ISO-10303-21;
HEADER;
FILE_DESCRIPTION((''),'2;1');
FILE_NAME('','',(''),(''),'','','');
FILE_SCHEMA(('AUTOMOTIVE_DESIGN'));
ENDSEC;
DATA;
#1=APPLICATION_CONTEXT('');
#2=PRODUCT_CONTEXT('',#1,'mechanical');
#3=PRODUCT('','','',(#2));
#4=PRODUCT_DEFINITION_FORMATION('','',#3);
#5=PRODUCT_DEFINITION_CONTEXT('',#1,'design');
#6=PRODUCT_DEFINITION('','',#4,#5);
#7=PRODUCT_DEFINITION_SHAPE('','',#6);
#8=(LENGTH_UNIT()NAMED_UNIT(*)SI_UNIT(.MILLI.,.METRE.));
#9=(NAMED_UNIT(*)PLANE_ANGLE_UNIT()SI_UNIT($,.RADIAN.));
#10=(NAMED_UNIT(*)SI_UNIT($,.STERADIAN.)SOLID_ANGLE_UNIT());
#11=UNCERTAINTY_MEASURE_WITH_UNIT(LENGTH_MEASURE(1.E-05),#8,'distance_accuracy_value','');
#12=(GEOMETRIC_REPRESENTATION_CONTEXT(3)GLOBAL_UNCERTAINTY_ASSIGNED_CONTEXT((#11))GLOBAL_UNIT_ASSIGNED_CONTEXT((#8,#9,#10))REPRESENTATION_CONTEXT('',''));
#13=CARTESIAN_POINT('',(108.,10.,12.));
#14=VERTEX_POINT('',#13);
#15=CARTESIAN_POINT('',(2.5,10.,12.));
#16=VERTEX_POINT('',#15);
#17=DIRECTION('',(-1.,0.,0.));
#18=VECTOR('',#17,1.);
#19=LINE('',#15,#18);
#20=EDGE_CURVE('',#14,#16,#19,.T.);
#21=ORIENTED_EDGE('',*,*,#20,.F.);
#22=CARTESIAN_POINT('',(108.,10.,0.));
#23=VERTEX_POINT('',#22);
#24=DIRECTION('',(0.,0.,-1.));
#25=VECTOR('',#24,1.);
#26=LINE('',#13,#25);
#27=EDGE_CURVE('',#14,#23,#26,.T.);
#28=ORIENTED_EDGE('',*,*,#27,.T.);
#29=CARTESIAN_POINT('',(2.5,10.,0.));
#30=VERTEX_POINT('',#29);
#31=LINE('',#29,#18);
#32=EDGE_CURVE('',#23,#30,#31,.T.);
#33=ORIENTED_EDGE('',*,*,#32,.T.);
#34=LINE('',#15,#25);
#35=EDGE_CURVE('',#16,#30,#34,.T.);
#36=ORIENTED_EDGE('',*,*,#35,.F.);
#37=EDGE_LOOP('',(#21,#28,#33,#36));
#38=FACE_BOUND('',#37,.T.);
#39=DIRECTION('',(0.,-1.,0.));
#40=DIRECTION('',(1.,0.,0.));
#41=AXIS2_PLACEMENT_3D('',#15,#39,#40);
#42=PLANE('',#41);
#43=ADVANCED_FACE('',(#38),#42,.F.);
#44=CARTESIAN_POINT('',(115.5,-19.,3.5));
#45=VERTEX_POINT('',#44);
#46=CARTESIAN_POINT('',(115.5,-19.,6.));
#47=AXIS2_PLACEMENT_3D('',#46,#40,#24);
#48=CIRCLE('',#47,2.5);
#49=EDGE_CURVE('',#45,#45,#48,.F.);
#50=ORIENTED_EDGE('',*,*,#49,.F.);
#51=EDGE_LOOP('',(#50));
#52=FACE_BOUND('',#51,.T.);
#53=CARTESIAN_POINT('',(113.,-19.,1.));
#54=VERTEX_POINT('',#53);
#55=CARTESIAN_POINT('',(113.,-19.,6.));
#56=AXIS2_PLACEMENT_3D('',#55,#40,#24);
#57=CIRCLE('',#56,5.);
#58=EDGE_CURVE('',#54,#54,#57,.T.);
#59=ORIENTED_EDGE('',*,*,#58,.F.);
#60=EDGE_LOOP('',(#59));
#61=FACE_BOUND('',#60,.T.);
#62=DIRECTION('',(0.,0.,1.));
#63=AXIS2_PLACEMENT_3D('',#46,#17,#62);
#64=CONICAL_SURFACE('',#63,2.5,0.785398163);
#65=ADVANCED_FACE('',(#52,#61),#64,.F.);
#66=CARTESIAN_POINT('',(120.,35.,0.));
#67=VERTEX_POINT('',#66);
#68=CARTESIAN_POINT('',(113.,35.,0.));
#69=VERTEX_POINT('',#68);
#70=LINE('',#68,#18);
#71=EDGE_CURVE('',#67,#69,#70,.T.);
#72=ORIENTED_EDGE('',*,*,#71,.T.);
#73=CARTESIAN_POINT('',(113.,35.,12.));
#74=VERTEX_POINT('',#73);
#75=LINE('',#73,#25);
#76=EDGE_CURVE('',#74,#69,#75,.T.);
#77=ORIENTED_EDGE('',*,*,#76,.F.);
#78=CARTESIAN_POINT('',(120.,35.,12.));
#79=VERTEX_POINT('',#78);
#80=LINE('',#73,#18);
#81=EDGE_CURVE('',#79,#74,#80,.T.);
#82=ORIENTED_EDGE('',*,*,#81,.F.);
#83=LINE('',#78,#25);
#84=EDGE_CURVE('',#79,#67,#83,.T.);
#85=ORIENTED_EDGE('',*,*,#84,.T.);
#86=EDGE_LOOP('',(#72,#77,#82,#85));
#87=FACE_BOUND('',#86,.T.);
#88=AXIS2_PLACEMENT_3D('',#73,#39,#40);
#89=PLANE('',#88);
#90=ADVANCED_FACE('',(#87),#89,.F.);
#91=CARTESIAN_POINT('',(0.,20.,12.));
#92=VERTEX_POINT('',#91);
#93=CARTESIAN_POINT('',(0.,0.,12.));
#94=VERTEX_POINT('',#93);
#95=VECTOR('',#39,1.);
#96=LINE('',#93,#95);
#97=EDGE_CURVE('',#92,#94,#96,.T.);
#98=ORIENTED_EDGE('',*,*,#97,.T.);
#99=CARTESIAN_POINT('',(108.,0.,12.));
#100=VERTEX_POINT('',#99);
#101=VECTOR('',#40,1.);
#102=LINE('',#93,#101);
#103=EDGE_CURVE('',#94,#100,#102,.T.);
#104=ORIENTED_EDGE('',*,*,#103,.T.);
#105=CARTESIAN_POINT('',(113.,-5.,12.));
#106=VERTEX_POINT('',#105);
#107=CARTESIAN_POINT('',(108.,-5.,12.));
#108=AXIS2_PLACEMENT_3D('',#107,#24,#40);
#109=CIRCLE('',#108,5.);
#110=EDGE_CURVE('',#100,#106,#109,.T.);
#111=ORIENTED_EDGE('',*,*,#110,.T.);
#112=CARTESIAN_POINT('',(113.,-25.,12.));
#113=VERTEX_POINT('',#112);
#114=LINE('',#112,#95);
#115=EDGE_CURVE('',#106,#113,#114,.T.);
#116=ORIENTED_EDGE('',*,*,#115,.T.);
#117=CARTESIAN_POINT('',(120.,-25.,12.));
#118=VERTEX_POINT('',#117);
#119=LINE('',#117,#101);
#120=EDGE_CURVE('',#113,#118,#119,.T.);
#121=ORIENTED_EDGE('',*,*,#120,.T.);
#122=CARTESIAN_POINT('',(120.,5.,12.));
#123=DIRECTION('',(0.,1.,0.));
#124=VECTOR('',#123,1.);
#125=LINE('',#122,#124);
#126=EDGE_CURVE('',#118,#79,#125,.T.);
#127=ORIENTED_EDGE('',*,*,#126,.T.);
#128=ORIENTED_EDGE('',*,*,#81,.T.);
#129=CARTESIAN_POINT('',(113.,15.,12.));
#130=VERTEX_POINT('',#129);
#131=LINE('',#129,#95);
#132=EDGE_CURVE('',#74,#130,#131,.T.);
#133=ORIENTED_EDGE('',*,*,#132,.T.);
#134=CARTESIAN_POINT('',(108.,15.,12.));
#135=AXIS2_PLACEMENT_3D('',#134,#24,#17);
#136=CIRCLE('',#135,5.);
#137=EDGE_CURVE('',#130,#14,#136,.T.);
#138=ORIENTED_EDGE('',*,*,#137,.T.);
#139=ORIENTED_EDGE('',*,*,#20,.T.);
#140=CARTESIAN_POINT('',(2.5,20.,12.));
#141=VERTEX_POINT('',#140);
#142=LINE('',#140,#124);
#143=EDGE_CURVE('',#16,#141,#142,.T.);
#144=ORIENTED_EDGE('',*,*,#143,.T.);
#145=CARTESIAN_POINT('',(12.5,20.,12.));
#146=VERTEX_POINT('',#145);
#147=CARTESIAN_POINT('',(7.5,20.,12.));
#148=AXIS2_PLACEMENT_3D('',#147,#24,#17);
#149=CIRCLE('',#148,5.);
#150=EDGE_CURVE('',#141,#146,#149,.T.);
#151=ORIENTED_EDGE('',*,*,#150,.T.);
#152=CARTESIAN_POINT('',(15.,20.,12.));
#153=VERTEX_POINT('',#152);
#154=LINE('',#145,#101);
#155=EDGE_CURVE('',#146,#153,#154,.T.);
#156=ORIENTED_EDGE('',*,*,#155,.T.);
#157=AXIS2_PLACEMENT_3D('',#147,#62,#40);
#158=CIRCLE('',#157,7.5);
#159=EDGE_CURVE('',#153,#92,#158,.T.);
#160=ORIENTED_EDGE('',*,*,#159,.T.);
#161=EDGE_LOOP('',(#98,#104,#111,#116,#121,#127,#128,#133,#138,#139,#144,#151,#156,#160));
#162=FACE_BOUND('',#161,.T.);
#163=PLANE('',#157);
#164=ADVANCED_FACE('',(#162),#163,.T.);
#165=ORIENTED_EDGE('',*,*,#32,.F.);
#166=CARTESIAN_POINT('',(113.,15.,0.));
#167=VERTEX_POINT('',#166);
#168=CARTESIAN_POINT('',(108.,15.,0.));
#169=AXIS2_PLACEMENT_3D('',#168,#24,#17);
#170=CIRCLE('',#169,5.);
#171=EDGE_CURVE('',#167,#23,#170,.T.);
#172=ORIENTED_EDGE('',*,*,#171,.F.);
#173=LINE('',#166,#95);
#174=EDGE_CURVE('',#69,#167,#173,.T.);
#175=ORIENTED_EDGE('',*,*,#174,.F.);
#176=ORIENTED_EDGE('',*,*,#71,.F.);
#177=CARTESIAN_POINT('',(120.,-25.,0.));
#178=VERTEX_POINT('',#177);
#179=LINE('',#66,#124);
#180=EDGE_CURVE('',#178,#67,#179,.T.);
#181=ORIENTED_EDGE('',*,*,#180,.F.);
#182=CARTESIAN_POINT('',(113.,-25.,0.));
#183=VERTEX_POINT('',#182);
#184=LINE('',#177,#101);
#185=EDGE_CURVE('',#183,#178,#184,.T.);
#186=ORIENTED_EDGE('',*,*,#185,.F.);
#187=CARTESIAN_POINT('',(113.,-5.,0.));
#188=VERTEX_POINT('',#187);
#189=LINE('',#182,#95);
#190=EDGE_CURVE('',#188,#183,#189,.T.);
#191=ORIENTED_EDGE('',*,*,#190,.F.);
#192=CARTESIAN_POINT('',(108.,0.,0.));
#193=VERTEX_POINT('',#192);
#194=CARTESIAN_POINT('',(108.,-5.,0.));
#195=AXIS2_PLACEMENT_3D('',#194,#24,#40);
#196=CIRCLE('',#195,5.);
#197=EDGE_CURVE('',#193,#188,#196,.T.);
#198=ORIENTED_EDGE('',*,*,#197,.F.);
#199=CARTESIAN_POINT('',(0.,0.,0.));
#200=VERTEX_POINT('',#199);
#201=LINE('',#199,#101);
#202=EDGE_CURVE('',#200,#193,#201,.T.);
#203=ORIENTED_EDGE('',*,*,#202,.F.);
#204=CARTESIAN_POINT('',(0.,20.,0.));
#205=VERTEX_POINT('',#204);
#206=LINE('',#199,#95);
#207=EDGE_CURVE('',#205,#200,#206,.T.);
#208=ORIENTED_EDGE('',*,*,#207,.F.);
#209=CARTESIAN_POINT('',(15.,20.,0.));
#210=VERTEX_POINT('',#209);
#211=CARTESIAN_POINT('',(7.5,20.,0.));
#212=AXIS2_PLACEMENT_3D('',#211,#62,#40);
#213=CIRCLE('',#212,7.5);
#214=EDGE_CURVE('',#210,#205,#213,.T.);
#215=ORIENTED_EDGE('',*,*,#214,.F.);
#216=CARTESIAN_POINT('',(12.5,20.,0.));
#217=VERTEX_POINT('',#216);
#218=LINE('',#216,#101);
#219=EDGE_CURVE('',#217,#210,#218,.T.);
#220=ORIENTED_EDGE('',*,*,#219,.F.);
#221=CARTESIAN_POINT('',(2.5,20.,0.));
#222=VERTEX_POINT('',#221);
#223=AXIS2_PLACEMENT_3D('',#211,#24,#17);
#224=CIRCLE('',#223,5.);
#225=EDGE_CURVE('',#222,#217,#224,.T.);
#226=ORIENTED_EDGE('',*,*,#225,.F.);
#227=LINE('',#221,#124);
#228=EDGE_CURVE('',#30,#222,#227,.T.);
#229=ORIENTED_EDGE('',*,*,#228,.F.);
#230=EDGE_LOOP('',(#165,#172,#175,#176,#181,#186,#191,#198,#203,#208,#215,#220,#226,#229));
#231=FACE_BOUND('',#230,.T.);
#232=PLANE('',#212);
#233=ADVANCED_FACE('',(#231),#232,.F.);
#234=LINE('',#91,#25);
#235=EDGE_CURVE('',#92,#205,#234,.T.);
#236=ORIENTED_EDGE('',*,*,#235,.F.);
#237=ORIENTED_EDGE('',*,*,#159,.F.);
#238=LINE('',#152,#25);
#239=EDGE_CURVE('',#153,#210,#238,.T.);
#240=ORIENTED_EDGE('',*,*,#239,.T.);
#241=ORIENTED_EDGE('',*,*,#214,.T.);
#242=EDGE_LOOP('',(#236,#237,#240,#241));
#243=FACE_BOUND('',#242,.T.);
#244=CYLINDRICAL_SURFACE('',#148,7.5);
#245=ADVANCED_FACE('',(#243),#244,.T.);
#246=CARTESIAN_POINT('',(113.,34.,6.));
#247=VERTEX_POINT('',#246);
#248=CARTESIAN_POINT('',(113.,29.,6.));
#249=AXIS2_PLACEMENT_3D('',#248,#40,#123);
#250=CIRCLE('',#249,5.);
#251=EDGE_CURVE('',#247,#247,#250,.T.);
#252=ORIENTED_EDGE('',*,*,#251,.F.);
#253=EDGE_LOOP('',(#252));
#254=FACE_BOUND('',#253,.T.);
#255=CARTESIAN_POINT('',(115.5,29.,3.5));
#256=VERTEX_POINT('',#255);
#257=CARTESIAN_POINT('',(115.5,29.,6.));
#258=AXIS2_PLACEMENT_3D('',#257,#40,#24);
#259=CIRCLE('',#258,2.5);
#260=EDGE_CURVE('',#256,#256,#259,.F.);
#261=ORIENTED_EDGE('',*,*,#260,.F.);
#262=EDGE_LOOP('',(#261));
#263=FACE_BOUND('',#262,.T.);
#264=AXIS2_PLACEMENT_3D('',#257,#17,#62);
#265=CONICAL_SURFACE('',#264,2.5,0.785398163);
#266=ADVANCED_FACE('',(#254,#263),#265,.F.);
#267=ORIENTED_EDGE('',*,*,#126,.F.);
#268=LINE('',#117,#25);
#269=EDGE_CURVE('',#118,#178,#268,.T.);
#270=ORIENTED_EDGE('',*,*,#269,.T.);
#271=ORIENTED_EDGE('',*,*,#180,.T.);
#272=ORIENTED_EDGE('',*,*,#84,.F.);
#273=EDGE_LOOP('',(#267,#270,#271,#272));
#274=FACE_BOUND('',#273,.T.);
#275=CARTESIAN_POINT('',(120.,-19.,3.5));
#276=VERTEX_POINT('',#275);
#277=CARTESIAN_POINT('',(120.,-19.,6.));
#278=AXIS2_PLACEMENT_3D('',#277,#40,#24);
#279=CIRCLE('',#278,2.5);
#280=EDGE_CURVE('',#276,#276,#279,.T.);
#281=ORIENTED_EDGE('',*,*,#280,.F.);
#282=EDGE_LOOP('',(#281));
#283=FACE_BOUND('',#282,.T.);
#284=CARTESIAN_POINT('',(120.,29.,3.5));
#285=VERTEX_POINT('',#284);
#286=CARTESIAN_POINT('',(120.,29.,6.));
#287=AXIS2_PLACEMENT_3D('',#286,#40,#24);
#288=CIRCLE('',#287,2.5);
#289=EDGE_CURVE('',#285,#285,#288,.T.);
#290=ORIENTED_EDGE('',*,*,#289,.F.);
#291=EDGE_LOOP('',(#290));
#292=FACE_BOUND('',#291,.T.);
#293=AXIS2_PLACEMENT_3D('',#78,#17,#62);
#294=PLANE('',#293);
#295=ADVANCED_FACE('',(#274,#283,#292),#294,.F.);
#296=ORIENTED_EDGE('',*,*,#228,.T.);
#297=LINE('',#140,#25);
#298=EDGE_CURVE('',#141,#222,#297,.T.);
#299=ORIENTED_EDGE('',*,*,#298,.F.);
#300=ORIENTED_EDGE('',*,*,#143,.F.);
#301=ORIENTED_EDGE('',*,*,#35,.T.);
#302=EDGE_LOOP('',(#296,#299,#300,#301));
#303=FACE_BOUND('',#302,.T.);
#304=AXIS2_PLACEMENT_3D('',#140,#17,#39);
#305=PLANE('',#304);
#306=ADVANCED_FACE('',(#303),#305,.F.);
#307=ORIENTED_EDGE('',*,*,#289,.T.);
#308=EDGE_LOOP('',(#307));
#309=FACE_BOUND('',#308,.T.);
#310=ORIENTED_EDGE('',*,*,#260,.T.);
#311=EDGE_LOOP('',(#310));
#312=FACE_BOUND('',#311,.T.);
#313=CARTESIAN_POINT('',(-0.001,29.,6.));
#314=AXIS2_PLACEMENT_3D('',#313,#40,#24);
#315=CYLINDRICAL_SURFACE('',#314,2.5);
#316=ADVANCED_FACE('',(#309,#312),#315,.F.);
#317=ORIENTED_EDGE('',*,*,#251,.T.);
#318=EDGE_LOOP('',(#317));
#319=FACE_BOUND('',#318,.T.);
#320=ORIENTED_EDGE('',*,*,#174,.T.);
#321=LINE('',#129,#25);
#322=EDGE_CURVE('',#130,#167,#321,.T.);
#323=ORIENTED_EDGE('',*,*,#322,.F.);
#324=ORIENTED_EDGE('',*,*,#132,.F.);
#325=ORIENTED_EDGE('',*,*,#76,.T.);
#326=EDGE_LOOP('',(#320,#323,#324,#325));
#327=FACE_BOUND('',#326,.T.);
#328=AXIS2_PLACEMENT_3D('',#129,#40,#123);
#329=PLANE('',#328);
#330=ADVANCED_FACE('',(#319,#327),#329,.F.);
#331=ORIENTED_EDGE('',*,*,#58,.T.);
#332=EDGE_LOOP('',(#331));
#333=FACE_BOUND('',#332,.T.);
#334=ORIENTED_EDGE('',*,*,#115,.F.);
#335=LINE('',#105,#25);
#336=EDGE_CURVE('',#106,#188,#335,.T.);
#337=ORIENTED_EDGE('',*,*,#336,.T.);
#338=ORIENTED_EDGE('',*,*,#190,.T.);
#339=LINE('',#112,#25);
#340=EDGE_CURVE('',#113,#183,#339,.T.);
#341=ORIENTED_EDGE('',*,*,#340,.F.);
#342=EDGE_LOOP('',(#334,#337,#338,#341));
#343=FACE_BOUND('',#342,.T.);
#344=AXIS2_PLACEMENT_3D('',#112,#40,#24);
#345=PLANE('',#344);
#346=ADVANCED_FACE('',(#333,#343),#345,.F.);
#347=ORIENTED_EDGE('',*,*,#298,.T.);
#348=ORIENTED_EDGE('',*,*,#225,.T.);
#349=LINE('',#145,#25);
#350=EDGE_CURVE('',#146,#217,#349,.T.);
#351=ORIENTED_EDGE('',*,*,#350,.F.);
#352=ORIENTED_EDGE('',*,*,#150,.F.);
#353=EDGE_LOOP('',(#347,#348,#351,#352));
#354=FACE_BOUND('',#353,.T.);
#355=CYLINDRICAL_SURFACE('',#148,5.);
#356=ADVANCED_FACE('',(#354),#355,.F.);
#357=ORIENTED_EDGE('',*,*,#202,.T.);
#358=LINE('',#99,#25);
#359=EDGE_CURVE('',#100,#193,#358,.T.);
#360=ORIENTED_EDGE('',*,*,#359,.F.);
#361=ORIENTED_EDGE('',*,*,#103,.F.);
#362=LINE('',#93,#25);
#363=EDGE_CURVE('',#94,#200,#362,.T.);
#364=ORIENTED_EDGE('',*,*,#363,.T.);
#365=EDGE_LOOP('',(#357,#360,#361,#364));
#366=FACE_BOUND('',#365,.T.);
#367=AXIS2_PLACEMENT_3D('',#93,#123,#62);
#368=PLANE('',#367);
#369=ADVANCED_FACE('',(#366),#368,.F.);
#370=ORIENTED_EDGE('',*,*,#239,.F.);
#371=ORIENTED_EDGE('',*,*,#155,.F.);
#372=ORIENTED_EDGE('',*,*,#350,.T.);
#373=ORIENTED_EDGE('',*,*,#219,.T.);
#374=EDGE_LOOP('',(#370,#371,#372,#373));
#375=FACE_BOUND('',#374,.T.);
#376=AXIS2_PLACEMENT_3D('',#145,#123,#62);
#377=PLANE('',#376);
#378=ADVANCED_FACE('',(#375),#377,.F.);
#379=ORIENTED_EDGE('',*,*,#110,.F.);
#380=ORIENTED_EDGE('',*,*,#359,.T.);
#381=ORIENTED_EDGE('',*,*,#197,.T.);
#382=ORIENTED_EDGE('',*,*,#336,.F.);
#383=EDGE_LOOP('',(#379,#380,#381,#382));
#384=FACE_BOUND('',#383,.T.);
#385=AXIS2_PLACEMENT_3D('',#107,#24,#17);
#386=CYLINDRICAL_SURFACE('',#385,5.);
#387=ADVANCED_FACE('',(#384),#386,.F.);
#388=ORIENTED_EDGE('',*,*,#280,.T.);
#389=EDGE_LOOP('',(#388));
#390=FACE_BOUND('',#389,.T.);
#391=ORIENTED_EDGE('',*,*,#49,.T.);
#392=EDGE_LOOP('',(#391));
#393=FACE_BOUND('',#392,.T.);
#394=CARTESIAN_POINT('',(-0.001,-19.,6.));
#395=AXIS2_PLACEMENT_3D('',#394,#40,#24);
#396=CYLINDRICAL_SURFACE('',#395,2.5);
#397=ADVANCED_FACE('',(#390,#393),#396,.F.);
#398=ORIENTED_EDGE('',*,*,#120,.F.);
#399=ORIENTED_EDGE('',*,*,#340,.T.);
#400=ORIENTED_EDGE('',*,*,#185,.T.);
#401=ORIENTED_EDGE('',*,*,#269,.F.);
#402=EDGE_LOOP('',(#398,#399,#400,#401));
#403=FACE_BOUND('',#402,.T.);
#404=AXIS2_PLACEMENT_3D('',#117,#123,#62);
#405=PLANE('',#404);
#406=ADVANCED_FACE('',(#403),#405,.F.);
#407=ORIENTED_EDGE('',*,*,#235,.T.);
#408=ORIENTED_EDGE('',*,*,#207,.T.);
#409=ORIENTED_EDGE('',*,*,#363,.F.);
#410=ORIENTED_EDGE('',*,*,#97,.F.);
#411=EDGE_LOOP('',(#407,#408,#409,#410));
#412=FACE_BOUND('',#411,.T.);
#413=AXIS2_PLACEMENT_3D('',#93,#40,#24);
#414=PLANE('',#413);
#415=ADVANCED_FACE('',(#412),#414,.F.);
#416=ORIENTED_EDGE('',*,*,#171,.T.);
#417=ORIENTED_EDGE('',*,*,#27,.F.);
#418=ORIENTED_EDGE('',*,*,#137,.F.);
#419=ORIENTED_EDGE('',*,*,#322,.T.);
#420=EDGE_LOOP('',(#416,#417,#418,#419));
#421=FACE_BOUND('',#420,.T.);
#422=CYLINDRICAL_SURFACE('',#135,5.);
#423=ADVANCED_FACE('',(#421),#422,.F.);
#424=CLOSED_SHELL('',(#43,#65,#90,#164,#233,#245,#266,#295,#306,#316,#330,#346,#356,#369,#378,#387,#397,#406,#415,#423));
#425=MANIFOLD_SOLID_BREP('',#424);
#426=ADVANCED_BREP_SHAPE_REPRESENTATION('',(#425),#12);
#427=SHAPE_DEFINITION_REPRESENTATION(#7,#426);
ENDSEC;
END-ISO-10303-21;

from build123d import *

# Parameters (mm, degrees)
BOSS_EXTRUDE1_DEPTH = 12
CUT_EXTRUDE2_REACH  = 122
SKETCH3_R           = 2.5
CHAMFER2_SIZE       = 2.5


with BuildPart() as part:
    # Sketch1 → Boss-Extrude1 (new body)
    with BuildSketch(Plane.XY):
        with BuildLine():
            Line((120, 35), (120, 5))
            Line((120, 5), (120, -25))
            Line((120, -25), (113, -25))
            Line((113, -25), (113, -5))
            ThreePointArc((113, -5), (111.535533906, -1.464466094), (108, 0))
            Line((108, 0), (0, 0))
            Line((0, 0), (0, 20))
            ThreePointArc((0, 20), (7.5, 27.5), (15, 20))
            Line((15, 20), (12.5, 20))
            ThreePointArc((12.5, 20), (7.5, 25), (2.5, 20))
            Line((2.5, 20), (2.5, 10))
            Line((2.5, 10), (108, 10))
            ThreePointArc((108, 10), (111.535533906, 11.464466094), (113, 15))
            Line((113, 15), (113, 35))
            Line((113, 35), (120, 35))
        make_face()
    extrude(amount=BOSS_EXTRUDE1_DEPTH)

    # Sketch3 → Cut-Extrude2 (cut, up to next)
    with BuildSketch(Plane(origin=(120, 0, 0), x_dir=(0, 0, -1), z_dir=(1, 0, 0)), mode=Mode.PRIVATE) as cut_extrude2_sk1:
        with Locations((-6, 29)):
            Circle(SKETCH3_R)
    cut_extrude2_tool1 = extrude(cut_extrude2_sk1.sketch, amount=-CUT_EXTRUDE2_REACH, mode=Mode.PRIVATE) & part.part
    add(cut_extrude2_tool1.solids().sort_by_distance((120, 29, 6))[0], mode=Mode.SUBTRACT)
    # Sketch3 → Cut-Extrude2 (cut, up to next)
    with BuildSketch(Plane(origin=(120, 0, 0), x_dir=(0, 0, -1), z_dir=(1, 0, 0)), mode=Mode.PRIVATE) as cut_extrude2_sk2:
        with Locations((-6, -19)):
            Circle(SKETCH3_R)
    cut_extrude2_tool2 = extrude(cut_extrude2_sk2.sketch, amount=-CUT_EXTRUDE2_REACH, mode=Mode.PRIVATE) & part.part
    add(cut_extrude2_tool2.solids().sort_by_distance((120, -19, 6))[0], mode=Mode.SUBTRACT)

    # Chamfer2
    chamfer2_edges = [part.edges().sort_by_distance(p)[0] for p in [
        (113, 29, 8.5),
        (113, -19, 8.5),
    ]]
    chamfer(chamfer2_edges, length=CHAMFER2_SIZE)


solid = part.part
